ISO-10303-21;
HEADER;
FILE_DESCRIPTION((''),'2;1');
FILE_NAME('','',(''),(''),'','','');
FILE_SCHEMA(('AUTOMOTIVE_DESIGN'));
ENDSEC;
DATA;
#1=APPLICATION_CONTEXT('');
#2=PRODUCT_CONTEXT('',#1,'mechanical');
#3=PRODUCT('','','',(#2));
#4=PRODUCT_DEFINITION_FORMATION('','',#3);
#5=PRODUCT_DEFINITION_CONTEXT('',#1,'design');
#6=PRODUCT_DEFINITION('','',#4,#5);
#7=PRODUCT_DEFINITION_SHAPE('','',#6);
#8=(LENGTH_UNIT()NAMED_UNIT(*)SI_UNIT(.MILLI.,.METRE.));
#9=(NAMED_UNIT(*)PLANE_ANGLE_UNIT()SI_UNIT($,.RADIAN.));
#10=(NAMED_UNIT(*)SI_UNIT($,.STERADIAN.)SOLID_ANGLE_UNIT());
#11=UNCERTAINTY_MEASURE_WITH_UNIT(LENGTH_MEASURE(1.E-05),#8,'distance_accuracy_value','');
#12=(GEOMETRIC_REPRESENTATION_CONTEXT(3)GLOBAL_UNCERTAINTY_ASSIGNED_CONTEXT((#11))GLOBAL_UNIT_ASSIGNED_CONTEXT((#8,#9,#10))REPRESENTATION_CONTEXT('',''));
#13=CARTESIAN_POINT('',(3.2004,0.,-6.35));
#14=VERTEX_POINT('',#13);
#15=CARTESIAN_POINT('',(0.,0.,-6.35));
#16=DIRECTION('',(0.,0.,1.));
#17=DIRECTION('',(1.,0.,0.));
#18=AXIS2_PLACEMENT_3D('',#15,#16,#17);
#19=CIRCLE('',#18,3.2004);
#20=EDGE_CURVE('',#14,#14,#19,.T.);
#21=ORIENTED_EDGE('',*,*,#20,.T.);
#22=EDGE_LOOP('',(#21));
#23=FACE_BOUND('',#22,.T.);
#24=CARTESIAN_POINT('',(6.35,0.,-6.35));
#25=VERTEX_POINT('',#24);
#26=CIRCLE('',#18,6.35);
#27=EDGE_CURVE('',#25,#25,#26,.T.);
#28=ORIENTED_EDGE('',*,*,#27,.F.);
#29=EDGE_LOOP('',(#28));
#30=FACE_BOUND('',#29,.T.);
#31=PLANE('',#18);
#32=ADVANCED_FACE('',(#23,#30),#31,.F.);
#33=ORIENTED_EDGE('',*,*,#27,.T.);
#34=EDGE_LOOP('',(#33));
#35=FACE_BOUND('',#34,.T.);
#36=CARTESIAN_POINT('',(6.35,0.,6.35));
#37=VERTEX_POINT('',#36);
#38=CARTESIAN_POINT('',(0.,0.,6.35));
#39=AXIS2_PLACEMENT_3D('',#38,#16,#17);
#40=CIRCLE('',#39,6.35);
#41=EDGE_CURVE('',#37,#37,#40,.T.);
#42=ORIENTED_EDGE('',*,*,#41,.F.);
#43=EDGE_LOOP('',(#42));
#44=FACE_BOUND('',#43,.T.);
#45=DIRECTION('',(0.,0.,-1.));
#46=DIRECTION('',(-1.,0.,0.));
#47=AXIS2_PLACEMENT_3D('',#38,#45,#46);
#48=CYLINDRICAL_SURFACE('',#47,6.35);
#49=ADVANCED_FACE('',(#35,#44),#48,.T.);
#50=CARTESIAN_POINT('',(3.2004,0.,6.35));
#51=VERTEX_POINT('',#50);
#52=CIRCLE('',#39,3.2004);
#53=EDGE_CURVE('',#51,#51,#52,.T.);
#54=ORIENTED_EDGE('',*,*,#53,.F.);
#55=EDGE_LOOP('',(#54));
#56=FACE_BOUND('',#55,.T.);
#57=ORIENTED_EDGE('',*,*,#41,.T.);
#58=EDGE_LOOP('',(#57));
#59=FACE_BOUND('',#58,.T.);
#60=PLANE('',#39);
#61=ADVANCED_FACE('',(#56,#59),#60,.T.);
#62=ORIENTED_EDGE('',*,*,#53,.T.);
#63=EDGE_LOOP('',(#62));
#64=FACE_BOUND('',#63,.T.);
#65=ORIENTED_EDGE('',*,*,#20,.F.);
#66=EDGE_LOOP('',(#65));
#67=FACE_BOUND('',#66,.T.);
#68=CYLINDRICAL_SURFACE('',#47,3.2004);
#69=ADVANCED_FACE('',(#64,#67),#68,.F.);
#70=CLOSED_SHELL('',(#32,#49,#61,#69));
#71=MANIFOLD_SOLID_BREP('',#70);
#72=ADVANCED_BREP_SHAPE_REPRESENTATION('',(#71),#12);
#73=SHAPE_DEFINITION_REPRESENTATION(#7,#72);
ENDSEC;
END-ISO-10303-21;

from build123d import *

# Parameters (mm, degrees)
SKETCH1_R           = 6.35
SKETCH1_R_2         = 3.2004
EXTRUDE1_DEPTH      = 6.35
EXTRUDE1_DEPTH_BACK = 6.35


with BuildPart() as part:
    # Sketch1 → Extrude1 (new body, two sides)
    with BuildSketch(Plane.XY) as extrude1_sk:
        Circle(SKETCH1_R)
        Circle(SKETCH1_R_2, mode=Mode.SUBTRACT)
    extrude(amount=EXTRUDE1_DEPTH)
    extrude(extrude1_sk.sketch, amount=-EXTRUDE1_DEPTH_BACK)


solid = part.part
